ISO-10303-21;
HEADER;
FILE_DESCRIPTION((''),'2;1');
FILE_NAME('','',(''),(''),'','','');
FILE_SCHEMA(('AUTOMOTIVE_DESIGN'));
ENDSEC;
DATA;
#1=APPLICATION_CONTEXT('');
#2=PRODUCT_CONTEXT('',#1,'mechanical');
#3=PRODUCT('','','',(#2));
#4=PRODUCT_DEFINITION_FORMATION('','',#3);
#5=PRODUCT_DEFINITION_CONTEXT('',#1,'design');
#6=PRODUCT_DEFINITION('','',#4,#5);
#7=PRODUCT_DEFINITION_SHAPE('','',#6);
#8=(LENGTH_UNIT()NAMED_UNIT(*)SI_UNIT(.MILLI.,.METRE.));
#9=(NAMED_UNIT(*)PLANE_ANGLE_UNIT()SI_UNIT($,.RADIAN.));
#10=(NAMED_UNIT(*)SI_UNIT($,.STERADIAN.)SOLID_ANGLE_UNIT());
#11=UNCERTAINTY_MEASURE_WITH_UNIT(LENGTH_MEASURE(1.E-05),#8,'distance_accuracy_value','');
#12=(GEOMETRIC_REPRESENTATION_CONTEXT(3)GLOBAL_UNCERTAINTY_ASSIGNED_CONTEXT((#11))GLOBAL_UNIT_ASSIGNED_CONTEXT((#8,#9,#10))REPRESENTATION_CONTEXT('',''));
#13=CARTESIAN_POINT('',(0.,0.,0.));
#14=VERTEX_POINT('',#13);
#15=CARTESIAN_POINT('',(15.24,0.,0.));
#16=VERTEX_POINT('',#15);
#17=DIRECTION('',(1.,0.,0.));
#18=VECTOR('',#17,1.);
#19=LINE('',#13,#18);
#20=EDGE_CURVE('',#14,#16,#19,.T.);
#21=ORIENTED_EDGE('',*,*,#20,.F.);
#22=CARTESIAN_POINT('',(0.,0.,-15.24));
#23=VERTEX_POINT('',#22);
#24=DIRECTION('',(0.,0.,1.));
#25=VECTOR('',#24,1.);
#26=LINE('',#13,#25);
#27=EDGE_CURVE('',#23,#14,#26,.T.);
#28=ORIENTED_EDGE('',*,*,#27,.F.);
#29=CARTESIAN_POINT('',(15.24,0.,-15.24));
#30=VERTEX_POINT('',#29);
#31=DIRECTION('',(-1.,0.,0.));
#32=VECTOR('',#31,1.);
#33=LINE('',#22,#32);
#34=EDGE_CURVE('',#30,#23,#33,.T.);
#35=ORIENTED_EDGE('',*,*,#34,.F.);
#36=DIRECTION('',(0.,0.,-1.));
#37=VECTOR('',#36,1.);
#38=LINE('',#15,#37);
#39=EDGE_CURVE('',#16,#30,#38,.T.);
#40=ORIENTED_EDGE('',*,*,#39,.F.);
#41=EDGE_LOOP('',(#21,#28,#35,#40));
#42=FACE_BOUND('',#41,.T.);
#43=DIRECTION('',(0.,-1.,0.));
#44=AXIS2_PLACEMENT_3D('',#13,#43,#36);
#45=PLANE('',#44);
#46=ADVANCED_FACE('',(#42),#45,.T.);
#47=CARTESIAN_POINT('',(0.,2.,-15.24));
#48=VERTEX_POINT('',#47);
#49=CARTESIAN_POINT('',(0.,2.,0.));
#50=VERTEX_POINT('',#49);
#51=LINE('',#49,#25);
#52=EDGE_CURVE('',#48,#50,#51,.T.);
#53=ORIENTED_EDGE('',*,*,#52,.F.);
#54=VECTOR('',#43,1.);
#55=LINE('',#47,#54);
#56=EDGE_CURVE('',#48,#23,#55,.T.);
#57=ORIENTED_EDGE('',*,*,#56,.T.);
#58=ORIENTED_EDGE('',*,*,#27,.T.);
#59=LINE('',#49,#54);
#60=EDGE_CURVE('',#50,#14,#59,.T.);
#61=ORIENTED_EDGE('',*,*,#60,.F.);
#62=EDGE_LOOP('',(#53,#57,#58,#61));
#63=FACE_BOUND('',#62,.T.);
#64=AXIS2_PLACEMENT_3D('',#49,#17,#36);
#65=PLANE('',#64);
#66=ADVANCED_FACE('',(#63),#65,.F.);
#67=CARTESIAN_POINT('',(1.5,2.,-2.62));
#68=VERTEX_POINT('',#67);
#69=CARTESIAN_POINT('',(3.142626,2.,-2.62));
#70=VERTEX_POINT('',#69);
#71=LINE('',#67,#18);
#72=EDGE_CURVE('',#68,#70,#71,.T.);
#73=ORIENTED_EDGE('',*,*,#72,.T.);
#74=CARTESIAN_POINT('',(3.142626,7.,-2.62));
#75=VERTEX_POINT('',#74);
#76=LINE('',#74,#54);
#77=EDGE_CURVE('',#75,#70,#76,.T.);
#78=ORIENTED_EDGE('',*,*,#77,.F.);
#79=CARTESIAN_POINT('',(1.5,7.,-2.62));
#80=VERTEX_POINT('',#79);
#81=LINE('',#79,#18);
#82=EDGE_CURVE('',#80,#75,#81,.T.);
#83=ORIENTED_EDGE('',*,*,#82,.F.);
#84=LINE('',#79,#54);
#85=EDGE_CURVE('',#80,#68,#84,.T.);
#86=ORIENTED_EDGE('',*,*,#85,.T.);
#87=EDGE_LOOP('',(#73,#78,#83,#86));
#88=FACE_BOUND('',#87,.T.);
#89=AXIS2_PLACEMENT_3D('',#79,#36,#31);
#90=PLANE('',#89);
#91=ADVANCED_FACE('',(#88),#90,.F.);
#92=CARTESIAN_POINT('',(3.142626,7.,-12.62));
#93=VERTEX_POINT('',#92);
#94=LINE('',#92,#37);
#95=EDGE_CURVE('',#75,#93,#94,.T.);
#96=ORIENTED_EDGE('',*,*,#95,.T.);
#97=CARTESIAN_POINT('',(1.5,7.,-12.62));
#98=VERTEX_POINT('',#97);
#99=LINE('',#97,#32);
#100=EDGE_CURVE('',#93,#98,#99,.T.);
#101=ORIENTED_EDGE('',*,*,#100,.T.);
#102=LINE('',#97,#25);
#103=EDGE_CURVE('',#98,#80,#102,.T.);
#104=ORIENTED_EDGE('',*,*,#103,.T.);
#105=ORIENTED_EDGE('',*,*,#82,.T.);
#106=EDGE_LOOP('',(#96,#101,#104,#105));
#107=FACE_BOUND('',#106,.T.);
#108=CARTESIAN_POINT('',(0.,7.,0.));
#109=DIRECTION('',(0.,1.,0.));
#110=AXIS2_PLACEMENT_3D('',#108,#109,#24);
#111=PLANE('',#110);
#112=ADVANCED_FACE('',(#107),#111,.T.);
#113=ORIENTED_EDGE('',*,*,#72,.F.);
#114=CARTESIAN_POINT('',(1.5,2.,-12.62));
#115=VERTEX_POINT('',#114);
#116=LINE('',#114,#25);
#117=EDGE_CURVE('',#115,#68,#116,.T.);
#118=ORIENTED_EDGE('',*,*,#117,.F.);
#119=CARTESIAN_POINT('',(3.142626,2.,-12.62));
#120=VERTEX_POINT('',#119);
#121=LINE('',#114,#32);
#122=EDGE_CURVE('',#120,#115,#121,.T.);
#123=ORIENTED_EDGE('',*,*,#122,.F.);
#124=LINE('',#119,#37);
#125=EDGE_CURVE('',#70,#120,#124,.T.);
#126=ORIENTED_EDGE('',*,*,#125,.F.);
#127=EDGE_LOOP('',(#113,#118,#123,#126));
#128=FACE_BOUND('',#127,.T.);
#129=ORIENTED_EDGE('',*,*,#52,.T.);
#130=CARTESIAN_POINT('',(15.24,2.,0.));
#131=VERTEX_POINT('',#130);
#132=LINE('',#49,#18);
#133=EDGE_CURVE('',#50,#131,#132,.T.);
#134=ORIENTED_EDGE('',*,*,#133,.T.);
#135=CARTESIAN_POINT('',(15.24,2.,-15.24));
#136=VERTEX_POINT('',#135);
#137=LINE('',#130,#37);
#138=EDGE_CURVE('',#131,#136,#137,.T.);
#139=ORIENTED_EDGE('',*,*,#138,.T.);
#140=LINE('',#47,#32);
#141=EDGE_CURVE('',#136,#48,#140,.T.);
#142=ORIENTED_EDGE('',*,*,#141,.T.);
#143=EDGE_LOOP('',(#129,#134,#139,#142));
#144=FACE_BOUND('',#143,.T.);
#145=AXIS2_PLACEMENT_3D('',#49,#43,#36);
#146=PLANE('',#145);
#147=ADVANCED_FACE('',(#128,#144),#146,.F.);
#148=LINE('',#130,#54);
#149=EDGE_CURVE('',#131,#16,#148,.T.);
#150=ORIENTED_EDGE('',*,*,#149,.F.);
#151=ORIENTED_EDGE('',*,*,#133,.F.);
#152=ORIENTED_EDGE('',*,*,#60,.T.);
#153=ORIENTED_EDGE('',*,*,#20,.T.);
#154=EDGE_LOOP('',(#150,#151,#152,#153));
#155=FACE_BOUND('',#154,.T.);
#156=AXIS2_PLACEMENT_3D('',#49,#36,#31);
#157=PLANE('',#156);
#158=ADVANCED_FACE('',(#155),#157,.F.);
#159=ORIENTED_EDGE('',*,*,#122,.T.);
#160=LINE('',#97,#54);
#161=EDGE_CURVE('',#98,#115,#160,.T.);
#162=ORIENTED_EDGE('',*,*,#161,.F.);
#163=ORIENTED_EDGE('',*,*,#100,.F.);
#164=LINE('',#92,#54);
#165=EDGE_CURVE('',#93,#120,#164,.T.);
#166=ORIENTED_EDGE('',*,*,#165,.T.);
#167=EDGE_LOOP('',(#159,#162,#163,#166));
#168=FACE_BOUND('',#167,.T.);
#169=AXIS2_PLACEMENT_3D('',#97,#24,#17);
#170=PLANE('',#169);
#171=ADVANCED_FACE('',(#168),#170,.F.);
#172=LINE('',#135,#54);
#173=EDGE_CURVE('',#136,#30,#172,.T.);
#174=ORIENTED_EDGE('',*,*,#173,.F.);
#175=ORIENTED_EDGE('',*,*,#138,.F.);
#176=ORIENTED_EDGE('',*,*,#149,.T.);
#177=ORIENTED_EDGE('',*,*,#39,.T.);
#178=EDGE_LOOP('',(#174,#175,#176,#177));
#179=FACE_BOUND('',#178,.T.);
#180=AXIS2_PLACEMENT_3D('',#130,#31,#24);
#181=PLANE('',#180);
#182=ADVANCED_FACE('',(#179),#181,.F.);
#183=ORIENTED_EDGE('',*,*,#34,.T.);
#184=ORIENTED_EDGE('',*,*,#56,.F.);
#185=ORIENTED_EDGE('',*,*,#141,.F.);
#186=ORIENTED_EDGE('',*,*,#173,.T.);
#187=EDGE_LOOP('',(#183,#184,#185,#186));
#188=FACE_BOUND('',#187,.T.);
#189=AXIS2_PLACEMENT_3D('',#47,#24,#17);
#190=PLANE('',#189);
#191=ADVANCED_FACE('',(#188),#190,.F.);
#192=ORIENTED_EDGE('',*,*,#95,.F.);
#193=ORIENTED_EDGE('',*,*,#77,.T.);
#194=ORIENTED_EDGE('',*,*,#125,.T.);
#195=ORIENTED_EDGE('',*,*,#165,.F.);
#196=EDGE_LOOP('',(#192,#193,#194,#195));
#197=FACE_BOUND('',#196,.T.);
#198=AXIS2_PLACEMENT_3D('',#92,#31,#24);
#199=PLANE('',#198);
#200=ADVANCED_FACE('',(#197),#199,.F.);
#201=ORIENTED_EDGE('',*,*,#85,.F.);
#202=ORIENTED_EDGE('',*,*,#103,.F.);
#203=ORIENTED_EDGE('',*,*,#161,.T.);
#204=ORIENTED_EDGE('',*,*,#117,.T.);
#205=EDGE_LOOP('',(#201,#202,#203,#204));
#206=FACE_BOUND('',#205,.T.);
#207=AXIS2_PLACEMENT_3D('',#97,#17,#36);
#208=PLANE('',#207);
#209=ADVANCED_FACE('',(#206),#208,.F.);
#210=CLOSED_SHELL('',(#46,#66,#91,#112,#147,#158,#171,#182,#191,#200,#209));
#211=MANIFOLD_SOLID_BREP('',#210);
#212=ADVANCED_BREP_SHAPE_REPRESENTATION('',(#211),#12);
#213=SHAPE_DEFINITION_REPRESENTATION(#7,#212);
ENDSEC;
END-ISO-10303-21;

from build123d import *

# Parameters (mm, degrees)
SKETCH_1_W      = 15.24
SKETCH_1_H      = 15.24
EXTRUDE_1_DEPTH = 2
SKETCH_2_W      = 1.642626177
SKETCH_2_H      = 10
EXTRUDE_2_DEPTH = 5


with BuildPart() as part:
    # 草图1 → 凸台-拉伸1 (new body)
    with BuildSketch(Plane(origin=(0, 0, 0), x_dir=(1, 0, 0), z_dir=(0, 1, 0))):
        with Locations((7.62, 7.62)):
            Rectangle(SKETCH_1_W, SKETCH_1_H)
    extrude(amount=EXTRUDE_1_DEPTH)

    # 草图2 → 凸台-拉伸2 (add)
    with BuildSketch(Plane(origin=(0, 2, 0), x_dir=(1, 0, 0), z_dir=(0, 1, 0))):
        with Locations((2.321313089, 7.62)):
            Rectangle(SKETCH_2_W, SKETCH_2_H)
    extrude(amount=EXTRUDE_2_DEPTH)


solid = part.part
